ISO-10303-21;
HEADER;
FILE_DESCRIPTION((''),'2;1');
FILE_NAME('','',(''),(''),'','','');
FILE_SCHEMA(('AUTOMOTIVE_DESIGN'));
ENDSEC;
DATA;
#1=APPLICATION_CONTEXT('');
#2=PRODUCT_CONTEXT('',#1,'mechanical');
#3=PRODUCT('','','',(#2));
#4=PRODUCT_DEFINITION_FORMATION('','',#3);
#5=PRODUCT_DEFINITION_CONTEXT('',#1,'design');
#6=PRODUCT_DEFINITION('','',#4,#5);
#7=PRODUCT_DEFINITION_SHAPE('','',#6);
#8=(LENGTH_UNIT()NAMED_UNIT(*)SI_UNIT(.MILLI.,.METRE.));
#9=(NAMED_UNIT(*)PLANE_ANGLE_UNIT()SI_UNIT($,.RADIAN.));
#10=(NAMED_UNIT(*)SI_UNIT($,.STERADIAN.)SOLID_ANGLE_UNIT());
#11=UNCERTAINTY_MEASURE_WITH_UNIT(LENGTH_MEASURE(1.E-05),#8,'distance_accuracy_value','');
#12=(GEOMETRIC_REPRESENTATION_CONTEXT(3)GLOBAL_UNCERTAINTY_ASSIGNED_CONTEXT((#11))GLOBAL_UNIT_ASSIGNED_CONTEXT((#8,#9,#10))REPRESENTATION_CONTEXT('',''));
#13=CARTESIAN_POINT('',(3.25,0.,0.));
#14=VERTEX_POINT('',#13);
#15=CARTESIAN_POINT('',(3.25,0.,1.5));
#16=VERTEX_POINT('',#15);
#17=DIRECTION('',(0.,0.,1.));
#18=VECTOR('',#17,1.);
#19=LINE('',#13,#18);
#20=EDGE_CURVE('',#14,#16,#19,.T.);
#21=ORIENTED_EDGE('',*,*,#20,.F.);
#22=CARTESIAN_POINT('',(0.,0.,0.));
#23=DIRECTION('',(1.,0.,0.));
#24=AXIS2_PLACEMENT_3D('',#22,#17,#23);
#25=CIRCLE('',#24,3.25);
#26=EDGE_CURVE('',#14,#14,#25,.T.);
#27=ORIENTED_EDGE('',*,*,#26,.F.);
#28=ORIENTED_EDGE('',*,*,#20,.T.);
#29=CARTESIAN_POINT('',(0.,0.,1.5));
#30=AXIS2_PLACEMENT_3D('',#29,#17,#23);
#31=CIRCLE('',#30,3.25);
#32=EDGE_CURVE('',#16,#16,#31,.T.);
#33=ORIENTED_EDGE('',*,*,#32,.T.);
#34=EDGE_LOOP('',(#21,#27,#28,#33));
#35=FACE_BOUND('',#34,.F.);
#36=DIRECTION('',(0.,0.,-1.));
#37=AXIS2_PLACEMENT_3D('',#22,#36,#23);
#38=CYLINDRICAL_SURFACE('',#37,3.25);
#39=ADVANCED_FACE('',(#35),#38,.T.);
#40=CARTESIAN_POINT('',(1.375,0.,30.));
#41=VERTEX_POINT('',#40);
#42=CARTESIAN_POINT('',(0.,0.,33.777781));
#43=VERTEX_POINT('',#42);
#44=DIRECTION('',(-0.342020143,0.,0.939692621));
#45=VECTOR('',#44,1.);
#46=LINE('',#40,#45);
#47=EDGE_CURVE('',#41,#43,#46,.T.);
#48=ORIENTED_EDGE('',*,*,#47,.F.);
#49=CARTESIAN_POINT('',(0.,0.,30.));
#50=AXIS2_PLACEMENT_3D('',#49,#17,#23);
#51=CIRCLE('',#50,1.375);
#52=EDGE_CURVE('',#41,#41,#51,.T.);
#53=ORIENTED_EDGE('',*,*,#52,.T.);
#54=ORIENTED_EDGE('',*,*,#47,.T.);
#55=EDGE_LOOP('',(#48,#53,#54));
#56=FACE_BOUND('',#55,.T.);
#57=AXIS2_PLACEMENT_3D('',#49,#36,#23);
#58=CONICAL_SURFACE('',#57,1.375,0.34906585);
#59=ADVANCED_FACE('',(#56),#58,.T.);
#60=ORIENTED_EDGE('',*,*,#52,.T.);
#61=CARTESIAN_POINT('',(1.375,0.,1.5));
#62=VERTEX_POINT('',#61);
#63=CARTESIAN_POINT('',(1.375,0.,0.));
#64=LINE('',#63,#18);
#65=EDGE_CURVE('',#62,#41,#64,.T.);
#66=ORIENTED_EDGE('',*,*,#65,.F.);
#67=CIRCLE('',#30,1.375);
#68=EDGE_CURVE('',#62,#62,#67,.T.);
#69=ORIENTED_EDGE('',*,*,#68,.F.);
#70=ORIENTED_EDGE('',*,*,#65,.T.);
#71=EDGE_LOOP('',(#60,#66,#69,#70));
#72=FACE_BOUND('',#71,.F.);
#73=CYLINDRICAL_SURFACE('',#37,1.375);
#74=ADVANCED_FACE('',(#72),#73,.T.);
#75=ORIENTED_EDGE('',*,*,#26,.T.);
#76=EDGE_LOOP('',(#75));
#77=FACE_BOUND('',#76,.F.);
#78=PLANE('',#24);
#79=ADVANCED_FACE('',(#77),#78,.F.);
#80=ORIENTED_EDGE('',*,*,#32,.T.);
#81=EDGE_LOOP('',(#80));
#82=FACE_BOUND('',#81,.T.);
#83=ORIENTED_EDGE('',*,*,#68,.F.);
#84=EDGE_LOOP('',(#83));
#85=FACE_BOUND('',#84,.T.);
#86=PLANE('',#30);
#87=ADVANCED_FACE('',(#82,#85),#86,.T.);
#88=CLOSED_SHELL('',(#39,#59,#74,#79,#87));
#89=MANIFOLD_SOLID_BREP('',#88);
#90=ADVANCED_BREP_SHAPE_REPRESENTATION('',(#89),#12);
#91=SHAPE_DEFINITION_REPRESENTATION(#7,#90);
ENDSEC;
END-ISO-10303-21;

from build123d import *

# Parameters (mm, degrees)
F0_R      = 3.25
F0_R_2    = 1.375
F1_DEPTH  = 1.5
F2_DEPTH  = 30
F2_FACE_R = 1.375
F3_DEPTH  = 5
F3_TAPER  = 20


with BuildPart() as f1:
    # F0 (on Top) → F1 (new body)
    with BuildSketch(Plane.XY):
        Circle(F0_R)
        Circle(F0_R_2, mode=Mode.SUBTRACT)
    extrude(amount=F1_DEPTH)

    # F0 (on Top) → F2 (join)
    with BuildSketch(Plane.XY):
        Circle(F0_R_2)
    extrude(amount=F2_DEPTH)

    # F2_face (on face) → F3 (join)
    with BuildSketch(Plane.XY.offset(30)):
        Circle(F2_FACE_R)
    extrude(amount=F3_DEPTH, taper=F3_TAPER)


solid = f1.part
